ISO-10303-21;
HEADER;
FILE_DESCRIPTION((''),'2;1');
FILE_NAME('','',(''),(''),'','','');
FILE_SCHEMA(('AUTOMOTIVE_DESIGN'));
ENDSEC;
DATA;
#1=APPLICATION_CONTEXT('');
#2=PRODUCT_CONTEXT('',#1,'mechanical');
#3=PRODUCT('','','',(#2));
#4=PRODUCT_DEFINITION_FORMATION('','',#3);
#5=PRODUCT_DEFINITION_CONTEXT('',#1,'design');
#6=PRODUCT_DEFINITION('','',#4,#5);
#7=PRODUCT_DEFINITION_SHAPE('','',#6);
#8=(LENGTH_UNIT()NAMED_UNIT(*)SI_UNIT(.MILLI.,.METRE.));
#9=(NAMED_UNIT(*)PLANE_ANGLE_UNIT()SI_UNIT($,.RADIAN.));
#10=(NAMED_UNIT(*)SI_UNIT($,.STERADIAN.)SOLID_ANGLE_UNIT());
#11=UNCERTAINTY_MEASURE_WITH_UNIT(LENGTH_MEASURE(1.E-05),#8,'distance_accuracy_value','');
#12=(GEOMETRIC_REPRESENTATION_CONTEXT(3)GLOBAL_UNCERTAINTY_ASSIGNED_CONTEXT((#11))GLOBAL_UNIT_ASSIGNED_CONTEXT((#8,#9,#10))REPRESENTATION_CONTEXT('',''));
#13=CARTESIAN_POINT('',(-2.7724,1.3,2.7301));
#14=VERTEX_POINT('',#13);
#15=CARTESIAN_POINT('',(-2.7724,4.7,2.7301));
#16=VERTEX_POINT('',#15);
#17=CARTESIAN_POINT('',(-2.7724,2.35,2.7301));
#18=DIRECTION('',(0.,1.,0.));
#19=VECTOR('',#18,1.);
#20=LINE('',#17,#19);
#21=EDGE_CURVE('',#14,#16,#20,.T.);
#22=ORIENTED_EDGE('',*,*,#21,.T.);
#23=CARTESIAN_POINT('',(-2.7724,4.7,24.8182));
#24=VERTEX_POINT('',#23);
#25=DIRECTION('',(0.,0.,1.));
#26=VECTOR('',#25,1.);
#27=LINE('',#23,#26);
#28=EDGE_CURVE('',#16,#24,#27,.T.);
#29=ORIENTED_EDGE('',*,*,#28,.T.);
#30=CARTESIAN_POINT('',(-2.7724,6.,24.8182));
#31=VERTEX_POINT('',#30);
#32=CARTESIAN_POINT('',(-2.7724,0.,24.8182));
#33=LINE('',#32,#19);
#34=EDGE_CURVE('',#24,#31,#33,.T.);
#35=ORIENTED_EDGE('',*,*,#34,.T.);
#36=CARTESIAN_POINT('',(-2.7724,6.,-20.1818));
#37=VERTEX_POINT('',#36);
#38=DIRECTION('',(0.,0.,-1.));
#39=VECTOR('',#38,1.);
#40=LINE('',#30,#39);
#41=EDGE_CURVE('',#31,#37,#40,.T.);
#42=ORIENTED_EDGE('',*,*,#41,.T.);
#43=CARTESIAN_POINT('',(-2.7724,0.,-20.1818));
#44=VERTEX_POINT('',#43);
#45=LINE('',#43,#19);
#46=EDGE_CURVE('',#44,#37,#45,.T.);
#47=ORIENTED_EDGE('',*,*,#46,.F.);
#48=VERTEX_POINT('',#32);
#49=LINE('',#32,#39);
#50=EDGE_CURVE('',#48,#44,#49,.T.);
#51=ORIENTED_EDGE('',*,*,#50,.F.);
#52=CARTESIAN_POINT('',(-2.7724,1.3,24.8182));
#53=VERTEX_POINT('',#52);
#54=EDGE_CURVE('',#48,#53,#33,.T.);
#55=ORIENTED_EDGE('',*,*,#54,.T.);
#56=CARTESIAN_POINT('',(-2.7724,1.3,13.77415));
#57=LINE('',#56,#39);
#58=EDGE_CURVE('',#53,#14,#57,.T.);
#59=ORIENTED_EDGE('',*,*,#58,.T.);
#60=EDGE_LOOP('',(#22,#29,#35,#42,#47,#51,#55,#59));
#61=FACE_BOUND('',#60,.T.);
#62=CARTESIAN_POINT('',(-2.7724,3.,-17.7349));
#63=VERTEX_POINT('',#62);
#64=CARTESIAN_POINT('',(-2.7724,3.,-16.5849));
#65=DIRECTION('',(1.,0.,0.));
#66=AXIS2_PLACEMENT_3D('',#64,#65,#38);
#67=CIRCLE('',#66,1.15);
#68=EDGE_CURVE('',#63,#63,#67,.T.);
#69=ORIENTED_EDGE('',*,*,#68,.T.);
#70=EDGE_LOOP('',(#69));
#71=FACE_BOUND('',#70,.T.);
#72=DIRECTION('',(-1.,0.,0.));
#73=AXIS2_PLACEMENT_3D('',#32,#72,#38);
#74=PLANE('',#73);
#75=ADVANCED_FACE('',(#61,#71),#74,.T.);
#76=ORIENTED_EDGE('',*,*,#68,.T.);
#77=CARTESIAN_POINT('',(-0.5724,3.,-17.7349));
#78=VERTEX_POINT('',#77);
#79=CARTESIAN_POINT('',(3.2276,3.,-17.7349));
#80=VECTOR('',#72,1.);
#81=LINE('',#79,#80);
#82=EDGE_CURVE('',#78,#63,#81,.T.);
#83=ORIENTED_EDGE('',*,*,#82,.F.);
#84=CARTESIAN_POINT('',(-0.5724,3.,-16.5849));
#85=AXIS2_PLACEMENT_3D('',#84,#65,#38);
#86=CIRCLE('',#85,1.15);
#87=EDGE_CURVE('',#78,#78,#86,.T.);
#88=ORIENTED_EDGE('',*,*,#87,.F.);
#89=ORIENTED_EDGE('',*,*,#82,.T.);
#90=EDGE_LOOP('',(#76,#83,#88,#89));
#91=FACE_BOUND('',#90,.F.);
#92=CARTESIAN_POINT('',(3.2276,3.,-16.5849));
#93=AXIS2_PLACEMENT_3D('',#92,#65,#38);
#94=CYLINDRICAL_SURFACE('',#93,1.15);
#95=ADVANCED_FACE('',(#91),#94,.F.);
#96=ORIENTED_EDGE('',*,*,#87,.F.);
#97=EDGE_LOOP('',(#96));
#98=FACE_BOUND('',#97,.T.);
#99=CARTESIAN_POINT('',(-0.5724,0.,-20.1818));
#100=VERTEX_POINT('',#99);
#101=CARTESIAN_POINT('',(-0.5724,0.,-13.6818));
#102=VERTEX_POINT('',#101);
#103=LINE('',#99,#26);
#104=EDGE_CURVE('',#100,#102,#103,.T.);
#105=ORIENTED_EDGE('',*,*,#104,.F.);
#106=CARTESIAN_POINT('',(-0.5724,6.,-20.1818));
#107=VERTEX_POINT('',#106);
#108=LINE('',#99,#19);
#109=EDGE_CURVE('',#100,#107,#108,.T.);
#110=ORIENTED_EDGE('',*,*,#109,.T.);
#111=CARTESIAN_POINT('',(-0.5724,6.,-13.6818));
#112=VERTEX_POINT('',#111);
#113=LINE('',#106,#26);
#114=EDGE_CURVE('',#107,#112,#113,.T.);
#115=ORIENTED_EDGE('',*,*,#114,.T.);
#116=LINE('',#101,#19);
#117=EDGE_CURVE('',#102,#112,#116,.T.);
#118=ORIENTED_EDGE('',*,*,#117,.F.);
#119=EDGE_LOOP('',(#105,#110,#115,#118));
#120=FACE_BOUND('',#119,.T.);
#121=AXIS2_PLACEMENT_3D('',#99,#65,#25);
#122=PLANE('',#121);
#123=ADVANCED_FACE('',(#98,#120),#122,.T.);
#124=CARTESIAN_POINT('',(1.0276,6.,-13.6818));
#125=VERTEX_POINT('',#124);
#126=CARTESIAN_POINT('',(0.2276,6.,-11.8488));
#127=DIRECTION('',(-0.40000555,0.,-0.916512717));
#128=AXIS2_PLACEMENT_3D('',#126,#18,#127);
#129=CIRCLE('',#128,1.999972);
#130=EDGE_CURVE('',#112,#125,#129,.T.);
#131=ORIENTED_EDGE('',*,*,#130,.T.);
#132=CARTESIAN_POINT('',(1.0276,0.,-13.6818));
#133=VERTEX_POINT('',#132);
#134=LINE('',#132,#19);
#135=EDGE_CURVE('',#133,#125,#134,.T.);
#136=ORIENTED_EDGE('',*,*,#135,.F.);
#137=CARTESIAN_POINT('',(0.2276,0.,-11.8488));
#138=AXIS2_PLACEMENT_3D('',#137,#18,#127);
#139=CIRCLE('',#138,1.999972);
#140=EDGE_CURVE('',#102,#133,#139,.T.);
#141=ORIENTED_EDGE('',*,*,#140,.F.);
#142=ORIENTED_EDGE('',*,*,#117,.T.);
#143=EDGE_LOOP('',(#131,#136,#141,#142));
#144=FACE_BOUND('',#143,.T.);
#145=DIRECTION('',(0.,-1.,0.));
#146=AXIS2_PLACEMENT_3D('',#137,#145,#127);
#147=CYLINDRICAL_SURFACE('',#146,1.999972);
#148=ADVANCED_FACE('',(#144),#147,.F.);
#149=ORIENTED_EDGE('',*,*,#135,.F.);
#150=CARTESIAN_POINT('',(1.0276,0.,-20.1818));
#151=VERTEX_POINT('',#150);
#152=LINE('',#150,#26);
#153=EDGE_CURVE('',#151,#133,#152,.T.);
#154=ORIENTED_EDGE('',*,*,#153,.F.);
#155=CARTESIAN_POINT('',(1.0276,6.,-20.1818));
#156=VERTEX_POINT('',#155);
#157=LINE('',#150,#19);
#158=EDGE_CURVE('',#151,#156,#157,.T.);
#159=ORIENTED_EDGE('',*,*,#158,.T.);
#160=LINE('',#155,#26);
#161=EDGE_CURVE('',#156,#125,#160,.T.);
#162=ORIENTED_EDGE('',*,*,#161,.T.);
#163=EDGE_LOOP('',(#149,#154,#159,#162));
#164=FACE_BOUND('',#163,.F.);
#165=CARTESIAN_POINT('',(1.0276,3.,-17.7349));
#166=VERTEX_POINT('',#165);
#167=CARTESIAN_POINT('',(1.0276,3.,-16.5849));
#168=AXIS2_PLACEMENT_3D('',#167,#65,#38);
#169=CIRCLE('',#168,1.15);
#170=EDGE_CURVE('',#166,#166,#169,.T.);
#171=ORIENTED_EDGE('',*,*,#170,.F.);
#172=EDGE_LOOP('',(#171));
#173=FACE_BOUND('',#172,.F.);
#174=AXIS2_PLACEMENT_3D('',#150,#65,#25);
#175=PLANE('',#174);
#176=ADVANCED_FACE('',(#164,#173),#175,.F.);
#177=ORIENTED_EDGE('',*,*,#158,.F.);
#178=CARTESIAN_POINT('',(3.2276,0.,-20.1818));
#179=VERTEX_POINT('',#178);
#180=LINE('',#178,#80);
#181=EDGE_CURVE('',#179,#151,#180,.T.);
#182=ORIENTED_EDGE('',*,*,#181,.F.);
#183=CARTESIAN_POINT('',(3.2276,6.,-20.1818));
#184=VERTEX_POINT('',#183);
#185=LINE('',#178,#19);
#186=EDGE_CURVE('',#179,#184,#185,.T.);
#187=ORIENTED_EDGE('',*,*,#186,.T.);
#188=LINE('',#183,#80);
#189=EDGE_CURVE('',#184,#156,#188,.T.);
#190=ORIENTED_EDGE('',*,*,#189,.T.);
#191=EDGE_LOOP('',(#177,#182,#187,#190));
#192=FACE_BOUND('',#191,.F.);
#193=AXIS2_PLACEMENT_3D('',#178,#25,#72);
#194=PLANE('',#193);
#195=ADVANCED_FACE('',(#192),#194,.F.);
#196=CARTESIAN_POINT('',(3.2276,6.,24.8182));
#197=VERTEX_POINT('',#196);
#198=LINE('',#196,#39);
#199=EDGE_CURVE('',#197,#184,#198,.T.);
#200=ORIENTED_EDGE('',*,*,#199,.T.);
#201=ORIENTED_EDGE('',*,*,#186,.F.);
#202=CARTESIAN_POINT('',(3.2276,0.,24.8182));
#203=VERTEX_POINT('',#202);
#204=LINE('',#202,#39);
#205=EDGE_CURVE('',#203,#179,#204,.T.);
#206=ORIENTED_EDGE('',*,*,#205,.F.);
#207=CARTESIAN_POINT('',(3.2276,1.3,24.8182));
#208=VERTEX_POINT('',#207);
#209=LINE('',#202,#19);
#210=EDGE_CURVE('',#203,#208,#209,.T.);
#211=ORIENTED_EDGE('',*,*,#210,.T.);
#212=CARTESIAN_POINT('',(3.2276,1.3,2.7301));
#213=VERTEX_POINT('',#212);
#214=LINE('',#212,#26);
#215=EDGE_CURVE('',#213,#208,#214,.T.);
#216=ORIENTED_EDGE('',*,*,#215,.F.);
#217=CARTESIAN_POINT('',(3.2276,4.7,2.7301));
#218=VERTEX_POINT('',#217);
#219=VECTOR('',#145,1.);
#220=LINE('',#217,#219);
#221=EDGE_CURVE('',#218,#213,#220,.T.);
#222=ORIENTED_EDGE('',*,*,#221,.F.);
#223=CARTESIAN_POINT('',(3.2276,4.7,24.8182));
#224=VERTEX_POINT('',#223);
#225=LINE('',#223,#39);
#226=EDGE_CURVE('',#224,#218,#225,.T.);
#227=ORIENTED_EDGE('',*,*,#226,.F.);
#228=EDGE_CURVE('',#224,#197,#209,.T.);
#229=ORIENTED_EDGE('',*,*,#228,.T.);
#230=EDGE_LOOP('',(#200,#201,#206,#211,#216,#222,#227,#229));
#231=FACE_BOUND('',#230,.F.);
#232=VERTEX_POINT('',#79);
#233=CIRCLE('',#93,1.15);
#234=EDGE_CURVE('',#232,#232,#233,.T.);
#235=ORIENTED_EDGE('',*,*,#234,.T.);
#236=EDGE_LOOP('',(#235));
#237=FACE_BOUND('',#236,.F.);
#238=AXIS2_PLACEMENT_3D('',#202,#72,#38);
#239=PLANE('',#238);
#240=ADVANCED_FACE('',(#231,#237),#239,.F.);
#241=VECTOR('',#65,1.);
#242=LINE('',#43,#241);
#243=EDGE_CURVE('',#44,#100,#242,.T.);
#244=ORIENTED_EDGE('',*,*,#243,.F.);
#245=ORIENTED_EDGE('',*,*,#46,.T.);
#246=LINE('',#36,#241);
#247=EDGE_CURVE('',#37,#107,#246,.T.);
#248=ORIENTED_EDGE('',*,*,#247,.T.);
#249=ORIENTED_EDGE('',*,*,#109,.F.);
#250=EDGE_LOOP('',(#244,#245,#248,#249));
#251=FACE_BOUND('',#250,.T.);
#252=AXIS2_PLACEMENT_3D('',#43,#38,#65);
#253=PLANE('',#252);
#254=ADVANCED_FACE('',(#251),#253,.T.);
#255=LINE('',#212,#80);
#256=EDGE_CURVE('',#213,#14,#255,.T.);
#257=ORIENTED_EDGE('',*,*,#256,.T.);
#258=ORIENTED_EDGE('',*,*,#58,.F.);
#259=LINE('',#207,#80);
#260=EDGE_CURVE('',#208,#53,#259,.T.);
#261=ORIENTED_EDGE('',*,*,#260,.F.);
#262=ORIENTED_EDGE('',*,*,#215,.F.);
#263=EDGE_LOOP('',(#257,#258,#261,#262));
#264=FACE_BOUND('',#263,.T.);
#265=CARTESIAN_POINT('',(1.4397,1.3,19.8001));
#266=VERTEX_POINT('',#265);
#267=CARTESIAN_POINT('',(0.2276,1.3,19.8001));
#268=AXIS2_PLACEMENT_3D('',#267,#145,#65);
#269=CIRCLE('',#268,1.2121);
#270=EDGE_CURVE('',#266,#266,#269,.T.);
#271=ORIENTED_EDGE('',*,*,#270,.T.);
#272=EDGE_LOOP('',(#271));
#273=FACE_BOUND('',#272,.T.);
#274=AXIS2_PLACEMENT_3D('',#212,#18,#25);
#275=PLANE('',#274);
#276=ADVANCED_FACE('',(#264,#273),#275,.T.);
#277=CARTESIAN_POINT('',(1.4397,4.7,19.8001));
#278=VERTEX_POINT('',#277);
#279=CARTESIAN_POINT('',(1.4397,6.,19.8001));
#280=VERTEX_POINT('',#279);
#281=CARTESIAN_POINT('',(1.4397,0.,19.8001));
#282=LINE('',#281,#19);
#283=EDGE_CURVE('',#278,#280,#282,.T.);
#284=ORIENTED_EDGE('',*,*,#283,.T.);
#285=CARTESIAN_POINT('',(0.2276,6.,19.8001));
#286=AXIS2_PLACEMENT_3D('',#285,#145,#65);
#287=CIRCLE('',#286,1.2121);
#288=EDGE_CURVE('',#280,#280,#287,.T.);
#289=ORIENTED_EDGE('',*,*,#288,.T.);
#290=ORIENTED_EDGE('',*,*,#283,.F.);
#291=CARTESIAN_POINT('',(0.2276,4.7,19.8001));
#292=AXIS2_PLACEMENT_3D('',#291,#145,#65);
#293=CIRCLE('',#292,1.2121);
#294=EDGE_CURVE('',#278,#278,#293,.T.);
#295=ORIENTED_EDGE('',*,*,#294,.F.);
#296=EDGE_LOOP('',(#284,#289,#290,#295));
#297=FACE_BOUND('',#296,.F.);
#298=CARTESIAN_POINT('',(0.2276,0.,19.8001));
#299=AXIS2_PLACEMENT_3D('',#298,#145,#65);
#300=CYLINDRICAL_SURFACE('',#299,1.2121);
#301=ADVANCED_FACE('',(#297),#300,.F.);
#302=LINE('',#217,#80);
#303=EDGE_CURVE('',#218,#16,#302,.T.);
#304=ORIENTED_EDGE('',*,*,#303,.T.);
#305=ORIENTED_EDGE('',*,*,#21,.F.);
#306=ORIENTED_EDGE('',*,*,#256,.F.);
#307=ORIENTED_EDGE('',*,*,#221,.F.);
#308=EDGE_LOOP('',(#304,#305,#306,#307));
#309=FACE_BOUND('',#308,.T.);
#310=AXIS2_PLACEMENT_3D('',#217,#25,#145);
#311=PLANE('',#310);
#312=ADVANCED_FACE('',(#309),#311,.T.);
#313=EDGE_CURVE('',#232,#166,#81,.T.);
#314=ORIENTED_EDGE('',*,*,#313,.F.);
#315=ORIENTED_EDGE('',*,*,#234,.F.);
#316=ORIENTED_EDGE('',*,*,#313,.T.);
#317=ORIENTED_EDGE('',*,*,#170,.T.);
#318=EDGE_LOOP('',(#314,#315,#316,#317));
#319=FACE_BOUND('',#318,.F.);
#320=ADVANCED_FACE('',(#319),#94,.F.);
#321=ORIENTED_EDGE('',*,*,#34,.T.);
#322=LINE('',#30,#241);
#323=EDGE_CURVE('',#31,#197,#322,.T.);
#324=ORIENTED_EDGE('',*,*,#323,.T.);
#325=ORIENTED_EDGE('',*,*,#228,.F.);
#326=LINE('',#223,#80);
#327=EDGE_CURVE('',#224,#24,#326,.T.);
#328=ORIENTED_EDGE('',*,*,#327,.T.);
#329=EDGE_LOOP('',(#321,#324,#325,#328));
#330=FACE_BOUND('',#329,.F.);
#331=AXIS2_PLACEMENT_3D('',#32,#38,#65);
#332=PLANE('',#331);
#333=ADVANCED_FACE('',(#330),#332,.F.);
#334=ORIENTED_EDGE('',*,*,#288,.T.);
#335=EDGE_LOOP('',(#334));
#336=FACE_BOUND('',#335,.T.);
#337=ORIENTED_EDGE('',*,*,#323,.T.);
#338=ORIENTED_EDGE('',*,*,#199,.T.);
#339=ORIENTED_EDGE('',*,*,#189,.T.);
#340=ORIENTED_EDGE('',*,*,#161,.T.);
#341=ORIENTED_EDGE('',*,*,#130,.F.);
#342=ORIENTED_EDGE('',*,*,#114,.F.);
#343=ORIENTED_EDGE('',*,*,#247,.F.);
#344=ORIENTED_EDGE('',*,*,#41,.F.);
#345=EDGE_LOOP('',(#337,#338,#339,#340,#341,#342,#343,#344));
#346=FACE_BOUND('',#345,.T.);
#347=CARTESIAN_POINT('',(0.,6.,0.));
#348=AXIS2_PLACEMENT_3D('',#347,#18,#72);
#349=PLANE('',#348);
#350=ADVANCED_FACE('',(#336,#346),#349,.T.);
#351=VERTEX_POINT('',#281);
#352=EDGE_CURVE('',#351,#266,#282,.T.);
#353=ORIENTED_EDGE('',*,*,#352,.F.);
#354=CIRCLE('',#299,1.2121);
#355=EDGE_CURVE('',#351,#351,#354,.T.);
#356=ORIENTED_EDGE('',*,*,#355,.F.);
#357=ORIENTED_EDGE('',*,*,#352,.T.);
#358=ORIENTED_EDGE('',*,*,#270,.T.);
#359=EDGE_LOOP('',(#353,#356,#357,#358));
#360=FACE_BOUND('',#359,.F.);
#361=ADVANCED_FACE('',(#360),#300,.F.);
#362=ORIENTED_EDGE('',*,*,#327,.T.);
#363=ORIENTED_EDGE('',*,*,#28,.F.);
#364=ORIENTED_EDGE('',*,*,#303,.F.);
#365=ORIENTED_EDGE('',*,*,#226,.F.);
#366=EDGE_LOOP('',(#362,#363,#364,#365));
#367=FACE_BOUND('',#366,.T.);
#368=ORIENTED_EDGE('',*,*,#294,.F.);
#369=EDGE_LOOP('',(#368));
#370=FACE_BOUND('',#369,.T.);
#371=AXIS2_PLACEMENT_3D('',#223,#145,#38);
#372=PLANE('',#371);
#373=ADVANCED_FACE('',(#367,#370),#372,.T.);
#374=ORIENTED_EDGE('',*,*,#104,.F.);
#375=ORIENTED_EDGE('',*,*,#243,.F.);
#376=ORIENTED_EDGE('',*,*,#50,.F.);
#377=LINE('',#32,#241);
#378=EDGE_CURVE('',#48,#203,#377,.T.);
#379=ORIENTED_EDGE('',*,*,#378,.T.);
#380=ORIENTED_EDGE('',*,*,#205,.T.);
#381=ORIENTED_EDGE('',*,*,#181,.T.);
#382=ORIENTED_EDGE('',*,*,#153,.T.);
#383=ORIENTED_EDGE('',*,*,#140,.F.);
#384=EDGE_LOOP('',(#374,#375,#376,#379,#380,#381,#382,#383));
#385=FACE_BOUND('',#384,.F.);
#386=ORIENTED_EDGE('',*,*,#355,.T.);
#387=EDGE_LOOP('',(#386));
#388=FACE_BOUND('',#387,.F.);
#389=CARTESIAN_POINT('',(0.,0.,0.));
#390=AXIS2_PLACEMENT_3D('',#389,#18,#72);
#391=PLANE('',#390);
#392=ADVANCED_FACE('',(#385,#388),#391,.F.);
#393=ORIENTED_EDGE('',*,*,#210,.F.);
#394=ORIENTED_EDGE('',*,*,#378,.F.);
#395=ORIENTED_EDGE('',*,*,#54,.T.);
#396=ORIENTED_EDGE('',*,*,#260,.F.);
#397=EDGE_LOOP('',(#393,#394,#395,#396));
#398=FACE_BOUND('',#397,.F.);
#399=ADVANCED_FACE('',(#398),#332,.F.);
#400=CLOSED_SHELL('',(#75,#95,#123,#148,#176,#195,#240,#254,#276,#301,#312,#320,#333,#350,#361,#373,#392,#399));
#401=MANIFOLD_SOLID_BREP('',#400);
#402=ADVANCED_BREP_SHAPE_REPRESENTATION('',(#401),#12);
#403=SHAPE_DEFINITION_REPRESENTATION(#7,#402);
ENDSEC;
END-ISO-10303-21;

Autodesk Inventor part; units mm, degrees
ref_plane "YZ Plane" through (0, 0, 0) normal (1, 0, 0) x (0, 1, 0)
ref_plane "XZ Plane" through (0, 0, 0) normal (0, 1, 0) x (-1, 0, 0)
ref_plane "XY Plane" through (0, 0, 0) normal (0, 0, 1) x (1, 0, 0)
sketch "Sketch1" plane through (0, 0, 0) normal (0, 1, 0) x (-1, 0, 0)
  point P0 (0, 0)
sketch "Sketch2" plane through (0, 0, 0) normal (0, 1, 0) x (-1, 0, 0)
  line L0 (2.7724, 24.8182) -> (-3.2276, 24.8182)
  line L1 (2.7724, 24.8182) -> (2.7724, -20.1818)
  line L2 (-3.2276, 24.8182) -> (-3.2276, -20.1818)
  line L3 (-3.2276, -20.1818) -> (-1.0276, -20.1818)
  line L4 (-1.0276, -20.1818) -> (-1.0276, -13.6818)
  line L5 (2.7724, -20.1818) -> (0.5724, -20.1818)
  line L6 (0.5724, -20.1818) -> (0.5724, -13.6818)
  arc A0 (0.5724, -13.6818) -> (-1.0276, -13.6818) centre (-0.2276, -11.8488) ccw
  point P0 (0, 0)
  dimension "d0" = 6
  dimension "d1" = 45
  dimension "d2" = 45
  dimension "d3" = 2.2
  dimension "d4" = 2.2
  dimension "d5" = 6.5
  dimension "d6" = 2
extrude "Extrusion1" add sketch "Sketch2" along normal blind 6
sketch "Sketch4" plane through (0, 0, 0) normal (0, -1, 0) x (1, 0, 0)
  line L0 (-2.7724, 24.8182) -> (3.2276, 24.8182) projected
  circle A0 centre (0.2276, 19.8001) radius 1.2121
  point P0 (0, 0)
extrude "Extrusion3" cut sketch "Sketch4" against normal blind 10.9375
sketch "Sketch5" plane through (3.2276, 0, 24.8182) normal (1, 0, 0) x (0, 0, -1)
  circle A0 centre (41.4031, 3) radius 1.15
  line L0 (0, 0) -> (0, 6) projected
  line L1 (0, 4.7) -> (22.0881, 4.7)
  line L2 (22.0881, 4.7) -> (22.0881, 1.3)
  line L3 (22.0881, 1.3) -> (0, 1.3)
  line L4 (0, 4.7) -> (0, 1.3)
  point P0 (24.8182, 0)
  dimension "d13" = 2.3
  dimension "d18" = 3.4
  dimension "d19" = 1.3
extrude "Extrusion4" cut sketch "Sketch5" against normal blind 14.6375 contours A0
extrude "Extrusion5" cut sketch "Sketch5" against normal blind 23.4625 contours L0 L1 L2 L3
properties part number "LInk1"
